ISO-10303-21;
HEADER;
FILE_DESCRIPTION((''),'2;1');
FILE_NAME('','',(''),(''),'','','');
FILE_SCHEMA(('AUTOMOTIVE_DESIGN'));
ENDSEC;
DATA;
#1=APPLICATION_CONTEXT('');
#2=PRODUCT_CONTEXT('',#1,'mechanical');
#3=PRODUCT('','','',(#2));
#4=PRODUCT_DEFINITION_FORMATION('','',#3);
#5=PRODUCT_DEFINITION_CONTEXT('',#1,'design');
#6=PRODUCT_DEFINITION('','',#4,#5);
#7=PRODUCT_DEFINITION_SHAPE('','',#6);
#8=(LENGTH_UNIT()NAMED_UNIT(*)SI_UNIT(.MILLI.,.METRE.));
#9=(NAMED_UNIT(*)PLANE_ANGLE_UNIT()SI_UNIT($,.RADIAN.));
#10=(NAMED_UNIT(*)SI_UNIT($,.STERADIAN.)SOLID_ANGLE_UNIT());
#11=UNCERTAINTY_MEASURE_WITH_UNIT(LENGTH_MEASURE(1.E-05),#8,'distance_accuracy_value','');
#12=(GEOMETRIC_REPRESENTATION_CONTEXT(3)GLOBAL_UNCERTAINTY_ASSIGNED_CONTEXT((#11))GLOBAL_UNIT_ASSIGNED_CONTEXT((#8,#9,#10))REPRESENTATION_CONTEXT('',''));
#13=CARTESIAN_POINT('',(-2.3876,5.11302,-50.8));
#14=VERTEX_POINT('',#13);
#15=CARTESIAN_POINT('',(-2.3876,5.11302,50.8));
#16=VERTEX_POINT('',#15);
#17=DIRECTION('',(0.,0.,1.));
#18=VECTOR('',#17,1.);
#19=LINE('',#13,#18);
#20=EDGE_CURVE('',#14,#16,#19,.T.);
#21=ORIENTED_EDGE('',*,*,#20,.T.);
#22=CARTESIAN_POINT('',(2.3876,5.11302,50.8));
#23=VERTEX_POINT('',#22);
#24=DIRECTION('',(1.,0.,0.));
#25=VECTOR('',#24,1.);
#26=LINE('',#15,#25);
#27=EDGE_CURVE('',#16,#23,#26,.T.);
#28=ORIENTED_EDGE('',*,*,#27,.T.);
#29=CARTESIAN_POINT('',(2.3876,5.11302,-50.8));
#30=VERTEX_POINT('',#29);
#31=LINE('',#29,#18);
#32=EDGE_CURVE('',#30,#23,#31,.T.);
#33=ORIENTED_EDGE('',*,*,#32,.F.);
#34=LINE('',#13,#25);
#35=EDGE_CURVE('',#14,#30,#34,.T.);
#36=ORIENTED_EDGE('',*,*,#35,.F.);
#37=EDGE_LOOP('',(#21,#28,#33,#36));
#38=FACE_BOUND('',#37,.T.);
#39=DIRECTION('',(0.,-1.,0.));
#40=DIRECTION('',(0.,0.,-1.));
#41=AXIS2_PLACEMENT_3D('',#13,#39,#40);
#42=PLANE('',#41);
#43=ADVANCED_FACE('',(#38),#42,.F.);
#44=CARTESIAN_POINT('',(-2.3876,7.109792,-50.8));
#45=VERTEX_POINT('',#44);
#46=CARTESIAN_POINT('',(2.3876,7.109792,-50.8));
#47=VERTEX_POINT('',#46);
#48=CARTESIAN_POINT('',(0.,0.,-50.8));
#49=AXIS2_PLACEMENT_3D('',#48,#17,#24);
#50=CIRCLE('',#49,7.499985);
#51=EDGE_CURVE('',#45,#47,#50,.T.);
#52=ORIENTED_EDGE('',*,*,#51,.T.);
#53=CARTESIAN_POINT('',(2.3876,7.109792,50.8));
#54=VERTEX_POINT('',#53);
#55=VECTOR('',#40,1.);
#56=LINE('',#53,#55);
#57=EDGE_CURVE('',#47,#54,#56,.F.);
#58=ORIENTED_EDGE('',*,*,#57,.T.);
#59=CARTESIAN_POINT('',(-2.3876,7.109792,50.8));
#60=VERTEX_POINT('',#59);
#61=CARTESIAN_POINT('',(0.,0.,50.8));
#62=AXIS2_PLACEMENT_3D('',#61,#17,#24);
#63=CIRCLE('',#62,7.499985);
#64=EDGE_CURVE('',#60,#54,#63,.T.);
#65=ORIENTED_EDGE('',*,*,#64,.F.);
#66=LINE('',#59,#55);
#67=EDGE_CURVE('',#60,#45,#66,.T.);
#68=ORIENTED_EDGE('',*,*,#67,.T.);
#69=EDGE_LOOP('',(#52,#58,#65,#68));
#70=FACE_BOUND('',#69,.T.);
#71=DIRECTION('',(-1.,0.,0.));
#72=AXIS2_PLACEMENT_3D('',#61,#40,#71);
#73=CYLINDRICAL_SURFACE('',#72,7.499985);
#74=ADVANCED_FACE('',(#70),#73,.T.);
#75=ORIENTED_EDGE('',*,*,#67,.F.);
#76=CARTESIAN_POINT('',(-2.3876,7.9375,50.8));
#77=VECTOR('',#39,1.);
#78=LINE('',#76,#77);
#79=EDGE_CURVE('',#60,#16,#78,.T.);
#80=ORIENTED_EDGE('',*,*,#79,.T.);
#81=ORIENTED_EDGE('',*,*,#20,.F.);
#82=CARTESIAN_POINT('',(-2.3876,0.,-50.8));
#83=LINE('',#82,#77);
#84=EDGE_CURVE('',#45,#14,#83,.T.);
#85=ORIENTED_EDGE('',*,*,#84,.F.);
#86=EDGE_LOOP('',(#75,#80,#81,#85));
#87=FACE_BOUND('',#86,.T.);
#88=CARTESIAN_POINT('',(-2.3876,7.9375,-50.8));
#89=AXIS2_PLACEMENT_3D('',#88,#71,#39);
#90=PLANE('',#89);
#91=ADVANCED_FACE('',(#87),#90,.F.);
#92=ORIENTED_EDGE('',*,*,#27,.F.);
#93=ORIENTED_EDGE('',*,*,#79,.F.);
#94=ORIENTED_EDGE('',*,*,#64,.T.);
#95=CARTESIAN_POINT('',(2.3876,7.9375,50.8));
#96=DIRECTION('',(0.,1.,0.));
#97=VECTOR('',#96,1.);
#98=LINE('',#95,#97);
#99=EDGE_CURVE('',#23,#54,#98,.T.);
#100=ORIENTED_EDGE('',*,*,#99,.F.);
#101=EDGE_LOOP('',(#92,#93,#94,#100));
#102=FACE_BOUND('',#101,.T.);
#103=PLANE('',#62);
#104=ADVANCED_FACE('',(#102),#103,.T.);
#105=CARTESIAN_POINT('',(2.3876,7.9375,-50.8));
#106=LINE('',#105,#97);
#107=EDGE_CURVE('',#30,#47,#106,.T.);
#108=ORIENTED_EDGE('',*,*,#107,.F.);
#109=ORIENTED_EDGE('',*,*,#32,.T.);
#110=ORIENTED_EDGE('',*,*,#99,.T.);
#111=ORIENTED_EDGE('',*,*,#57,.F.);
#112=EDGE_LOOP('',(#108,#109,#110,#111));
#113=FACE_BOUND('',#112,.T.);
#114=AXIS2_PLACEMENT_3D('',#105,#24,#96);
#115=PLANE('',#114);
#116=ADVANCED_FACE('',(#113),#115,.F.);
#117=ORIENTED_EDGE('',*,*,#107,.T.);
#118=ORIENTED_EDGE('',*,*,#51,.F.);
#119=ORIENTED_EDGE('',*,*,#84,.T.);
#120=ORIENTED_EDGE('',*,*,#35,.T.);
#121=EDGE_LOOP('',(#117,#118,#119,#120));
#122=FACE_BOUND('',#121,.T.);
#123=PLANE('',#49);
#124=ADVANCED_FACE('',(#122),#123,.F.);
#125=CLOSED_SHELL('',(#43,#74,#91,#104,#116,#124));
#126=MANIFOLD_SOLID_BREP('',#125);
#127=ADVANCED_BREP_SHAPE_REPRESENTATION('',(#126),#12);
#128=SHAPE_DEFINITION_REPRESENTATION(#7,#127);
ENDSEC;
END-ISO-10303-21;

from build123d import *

# Parameters (mm, degrees)
SKETCH1_R           = 7.499985
EXTRUDE1_DEPTH      = 50.8
SKETCH3_W           = 4.7752
SKETCH3_H           = 2.82448
EXTRUDE2_DEPTH      = 51.8
EXTRUDE2_DEPTH_BACK = 51.8


with BuildPart() as part:
    # Sketch1 → Extrude1 (new body, symmetric)
    with BuildSketch(Plane.XY):
        Circle(SKETCH1_R)
    extrude(amount=EXTRUDE1_DEPTH, both=True)

    # Sketch3 → Extrude2 (cut, two sides)
    with BuildSketch(Plane.XY) as extrude2_sk:
        with Locations((0, 6.52526)):
            Rectangle(SKETCH3_W, SKETCH3_H)
    extrude(amount=EXTRUDE2_DEPTH, mode=Mode.SUBTRACT)
    extrude(extrude2_sk.sketch, amount=-EXTRUDE2_DEPTH_BACK, mode=Mode.SUBTRACT)


solid = part.part
